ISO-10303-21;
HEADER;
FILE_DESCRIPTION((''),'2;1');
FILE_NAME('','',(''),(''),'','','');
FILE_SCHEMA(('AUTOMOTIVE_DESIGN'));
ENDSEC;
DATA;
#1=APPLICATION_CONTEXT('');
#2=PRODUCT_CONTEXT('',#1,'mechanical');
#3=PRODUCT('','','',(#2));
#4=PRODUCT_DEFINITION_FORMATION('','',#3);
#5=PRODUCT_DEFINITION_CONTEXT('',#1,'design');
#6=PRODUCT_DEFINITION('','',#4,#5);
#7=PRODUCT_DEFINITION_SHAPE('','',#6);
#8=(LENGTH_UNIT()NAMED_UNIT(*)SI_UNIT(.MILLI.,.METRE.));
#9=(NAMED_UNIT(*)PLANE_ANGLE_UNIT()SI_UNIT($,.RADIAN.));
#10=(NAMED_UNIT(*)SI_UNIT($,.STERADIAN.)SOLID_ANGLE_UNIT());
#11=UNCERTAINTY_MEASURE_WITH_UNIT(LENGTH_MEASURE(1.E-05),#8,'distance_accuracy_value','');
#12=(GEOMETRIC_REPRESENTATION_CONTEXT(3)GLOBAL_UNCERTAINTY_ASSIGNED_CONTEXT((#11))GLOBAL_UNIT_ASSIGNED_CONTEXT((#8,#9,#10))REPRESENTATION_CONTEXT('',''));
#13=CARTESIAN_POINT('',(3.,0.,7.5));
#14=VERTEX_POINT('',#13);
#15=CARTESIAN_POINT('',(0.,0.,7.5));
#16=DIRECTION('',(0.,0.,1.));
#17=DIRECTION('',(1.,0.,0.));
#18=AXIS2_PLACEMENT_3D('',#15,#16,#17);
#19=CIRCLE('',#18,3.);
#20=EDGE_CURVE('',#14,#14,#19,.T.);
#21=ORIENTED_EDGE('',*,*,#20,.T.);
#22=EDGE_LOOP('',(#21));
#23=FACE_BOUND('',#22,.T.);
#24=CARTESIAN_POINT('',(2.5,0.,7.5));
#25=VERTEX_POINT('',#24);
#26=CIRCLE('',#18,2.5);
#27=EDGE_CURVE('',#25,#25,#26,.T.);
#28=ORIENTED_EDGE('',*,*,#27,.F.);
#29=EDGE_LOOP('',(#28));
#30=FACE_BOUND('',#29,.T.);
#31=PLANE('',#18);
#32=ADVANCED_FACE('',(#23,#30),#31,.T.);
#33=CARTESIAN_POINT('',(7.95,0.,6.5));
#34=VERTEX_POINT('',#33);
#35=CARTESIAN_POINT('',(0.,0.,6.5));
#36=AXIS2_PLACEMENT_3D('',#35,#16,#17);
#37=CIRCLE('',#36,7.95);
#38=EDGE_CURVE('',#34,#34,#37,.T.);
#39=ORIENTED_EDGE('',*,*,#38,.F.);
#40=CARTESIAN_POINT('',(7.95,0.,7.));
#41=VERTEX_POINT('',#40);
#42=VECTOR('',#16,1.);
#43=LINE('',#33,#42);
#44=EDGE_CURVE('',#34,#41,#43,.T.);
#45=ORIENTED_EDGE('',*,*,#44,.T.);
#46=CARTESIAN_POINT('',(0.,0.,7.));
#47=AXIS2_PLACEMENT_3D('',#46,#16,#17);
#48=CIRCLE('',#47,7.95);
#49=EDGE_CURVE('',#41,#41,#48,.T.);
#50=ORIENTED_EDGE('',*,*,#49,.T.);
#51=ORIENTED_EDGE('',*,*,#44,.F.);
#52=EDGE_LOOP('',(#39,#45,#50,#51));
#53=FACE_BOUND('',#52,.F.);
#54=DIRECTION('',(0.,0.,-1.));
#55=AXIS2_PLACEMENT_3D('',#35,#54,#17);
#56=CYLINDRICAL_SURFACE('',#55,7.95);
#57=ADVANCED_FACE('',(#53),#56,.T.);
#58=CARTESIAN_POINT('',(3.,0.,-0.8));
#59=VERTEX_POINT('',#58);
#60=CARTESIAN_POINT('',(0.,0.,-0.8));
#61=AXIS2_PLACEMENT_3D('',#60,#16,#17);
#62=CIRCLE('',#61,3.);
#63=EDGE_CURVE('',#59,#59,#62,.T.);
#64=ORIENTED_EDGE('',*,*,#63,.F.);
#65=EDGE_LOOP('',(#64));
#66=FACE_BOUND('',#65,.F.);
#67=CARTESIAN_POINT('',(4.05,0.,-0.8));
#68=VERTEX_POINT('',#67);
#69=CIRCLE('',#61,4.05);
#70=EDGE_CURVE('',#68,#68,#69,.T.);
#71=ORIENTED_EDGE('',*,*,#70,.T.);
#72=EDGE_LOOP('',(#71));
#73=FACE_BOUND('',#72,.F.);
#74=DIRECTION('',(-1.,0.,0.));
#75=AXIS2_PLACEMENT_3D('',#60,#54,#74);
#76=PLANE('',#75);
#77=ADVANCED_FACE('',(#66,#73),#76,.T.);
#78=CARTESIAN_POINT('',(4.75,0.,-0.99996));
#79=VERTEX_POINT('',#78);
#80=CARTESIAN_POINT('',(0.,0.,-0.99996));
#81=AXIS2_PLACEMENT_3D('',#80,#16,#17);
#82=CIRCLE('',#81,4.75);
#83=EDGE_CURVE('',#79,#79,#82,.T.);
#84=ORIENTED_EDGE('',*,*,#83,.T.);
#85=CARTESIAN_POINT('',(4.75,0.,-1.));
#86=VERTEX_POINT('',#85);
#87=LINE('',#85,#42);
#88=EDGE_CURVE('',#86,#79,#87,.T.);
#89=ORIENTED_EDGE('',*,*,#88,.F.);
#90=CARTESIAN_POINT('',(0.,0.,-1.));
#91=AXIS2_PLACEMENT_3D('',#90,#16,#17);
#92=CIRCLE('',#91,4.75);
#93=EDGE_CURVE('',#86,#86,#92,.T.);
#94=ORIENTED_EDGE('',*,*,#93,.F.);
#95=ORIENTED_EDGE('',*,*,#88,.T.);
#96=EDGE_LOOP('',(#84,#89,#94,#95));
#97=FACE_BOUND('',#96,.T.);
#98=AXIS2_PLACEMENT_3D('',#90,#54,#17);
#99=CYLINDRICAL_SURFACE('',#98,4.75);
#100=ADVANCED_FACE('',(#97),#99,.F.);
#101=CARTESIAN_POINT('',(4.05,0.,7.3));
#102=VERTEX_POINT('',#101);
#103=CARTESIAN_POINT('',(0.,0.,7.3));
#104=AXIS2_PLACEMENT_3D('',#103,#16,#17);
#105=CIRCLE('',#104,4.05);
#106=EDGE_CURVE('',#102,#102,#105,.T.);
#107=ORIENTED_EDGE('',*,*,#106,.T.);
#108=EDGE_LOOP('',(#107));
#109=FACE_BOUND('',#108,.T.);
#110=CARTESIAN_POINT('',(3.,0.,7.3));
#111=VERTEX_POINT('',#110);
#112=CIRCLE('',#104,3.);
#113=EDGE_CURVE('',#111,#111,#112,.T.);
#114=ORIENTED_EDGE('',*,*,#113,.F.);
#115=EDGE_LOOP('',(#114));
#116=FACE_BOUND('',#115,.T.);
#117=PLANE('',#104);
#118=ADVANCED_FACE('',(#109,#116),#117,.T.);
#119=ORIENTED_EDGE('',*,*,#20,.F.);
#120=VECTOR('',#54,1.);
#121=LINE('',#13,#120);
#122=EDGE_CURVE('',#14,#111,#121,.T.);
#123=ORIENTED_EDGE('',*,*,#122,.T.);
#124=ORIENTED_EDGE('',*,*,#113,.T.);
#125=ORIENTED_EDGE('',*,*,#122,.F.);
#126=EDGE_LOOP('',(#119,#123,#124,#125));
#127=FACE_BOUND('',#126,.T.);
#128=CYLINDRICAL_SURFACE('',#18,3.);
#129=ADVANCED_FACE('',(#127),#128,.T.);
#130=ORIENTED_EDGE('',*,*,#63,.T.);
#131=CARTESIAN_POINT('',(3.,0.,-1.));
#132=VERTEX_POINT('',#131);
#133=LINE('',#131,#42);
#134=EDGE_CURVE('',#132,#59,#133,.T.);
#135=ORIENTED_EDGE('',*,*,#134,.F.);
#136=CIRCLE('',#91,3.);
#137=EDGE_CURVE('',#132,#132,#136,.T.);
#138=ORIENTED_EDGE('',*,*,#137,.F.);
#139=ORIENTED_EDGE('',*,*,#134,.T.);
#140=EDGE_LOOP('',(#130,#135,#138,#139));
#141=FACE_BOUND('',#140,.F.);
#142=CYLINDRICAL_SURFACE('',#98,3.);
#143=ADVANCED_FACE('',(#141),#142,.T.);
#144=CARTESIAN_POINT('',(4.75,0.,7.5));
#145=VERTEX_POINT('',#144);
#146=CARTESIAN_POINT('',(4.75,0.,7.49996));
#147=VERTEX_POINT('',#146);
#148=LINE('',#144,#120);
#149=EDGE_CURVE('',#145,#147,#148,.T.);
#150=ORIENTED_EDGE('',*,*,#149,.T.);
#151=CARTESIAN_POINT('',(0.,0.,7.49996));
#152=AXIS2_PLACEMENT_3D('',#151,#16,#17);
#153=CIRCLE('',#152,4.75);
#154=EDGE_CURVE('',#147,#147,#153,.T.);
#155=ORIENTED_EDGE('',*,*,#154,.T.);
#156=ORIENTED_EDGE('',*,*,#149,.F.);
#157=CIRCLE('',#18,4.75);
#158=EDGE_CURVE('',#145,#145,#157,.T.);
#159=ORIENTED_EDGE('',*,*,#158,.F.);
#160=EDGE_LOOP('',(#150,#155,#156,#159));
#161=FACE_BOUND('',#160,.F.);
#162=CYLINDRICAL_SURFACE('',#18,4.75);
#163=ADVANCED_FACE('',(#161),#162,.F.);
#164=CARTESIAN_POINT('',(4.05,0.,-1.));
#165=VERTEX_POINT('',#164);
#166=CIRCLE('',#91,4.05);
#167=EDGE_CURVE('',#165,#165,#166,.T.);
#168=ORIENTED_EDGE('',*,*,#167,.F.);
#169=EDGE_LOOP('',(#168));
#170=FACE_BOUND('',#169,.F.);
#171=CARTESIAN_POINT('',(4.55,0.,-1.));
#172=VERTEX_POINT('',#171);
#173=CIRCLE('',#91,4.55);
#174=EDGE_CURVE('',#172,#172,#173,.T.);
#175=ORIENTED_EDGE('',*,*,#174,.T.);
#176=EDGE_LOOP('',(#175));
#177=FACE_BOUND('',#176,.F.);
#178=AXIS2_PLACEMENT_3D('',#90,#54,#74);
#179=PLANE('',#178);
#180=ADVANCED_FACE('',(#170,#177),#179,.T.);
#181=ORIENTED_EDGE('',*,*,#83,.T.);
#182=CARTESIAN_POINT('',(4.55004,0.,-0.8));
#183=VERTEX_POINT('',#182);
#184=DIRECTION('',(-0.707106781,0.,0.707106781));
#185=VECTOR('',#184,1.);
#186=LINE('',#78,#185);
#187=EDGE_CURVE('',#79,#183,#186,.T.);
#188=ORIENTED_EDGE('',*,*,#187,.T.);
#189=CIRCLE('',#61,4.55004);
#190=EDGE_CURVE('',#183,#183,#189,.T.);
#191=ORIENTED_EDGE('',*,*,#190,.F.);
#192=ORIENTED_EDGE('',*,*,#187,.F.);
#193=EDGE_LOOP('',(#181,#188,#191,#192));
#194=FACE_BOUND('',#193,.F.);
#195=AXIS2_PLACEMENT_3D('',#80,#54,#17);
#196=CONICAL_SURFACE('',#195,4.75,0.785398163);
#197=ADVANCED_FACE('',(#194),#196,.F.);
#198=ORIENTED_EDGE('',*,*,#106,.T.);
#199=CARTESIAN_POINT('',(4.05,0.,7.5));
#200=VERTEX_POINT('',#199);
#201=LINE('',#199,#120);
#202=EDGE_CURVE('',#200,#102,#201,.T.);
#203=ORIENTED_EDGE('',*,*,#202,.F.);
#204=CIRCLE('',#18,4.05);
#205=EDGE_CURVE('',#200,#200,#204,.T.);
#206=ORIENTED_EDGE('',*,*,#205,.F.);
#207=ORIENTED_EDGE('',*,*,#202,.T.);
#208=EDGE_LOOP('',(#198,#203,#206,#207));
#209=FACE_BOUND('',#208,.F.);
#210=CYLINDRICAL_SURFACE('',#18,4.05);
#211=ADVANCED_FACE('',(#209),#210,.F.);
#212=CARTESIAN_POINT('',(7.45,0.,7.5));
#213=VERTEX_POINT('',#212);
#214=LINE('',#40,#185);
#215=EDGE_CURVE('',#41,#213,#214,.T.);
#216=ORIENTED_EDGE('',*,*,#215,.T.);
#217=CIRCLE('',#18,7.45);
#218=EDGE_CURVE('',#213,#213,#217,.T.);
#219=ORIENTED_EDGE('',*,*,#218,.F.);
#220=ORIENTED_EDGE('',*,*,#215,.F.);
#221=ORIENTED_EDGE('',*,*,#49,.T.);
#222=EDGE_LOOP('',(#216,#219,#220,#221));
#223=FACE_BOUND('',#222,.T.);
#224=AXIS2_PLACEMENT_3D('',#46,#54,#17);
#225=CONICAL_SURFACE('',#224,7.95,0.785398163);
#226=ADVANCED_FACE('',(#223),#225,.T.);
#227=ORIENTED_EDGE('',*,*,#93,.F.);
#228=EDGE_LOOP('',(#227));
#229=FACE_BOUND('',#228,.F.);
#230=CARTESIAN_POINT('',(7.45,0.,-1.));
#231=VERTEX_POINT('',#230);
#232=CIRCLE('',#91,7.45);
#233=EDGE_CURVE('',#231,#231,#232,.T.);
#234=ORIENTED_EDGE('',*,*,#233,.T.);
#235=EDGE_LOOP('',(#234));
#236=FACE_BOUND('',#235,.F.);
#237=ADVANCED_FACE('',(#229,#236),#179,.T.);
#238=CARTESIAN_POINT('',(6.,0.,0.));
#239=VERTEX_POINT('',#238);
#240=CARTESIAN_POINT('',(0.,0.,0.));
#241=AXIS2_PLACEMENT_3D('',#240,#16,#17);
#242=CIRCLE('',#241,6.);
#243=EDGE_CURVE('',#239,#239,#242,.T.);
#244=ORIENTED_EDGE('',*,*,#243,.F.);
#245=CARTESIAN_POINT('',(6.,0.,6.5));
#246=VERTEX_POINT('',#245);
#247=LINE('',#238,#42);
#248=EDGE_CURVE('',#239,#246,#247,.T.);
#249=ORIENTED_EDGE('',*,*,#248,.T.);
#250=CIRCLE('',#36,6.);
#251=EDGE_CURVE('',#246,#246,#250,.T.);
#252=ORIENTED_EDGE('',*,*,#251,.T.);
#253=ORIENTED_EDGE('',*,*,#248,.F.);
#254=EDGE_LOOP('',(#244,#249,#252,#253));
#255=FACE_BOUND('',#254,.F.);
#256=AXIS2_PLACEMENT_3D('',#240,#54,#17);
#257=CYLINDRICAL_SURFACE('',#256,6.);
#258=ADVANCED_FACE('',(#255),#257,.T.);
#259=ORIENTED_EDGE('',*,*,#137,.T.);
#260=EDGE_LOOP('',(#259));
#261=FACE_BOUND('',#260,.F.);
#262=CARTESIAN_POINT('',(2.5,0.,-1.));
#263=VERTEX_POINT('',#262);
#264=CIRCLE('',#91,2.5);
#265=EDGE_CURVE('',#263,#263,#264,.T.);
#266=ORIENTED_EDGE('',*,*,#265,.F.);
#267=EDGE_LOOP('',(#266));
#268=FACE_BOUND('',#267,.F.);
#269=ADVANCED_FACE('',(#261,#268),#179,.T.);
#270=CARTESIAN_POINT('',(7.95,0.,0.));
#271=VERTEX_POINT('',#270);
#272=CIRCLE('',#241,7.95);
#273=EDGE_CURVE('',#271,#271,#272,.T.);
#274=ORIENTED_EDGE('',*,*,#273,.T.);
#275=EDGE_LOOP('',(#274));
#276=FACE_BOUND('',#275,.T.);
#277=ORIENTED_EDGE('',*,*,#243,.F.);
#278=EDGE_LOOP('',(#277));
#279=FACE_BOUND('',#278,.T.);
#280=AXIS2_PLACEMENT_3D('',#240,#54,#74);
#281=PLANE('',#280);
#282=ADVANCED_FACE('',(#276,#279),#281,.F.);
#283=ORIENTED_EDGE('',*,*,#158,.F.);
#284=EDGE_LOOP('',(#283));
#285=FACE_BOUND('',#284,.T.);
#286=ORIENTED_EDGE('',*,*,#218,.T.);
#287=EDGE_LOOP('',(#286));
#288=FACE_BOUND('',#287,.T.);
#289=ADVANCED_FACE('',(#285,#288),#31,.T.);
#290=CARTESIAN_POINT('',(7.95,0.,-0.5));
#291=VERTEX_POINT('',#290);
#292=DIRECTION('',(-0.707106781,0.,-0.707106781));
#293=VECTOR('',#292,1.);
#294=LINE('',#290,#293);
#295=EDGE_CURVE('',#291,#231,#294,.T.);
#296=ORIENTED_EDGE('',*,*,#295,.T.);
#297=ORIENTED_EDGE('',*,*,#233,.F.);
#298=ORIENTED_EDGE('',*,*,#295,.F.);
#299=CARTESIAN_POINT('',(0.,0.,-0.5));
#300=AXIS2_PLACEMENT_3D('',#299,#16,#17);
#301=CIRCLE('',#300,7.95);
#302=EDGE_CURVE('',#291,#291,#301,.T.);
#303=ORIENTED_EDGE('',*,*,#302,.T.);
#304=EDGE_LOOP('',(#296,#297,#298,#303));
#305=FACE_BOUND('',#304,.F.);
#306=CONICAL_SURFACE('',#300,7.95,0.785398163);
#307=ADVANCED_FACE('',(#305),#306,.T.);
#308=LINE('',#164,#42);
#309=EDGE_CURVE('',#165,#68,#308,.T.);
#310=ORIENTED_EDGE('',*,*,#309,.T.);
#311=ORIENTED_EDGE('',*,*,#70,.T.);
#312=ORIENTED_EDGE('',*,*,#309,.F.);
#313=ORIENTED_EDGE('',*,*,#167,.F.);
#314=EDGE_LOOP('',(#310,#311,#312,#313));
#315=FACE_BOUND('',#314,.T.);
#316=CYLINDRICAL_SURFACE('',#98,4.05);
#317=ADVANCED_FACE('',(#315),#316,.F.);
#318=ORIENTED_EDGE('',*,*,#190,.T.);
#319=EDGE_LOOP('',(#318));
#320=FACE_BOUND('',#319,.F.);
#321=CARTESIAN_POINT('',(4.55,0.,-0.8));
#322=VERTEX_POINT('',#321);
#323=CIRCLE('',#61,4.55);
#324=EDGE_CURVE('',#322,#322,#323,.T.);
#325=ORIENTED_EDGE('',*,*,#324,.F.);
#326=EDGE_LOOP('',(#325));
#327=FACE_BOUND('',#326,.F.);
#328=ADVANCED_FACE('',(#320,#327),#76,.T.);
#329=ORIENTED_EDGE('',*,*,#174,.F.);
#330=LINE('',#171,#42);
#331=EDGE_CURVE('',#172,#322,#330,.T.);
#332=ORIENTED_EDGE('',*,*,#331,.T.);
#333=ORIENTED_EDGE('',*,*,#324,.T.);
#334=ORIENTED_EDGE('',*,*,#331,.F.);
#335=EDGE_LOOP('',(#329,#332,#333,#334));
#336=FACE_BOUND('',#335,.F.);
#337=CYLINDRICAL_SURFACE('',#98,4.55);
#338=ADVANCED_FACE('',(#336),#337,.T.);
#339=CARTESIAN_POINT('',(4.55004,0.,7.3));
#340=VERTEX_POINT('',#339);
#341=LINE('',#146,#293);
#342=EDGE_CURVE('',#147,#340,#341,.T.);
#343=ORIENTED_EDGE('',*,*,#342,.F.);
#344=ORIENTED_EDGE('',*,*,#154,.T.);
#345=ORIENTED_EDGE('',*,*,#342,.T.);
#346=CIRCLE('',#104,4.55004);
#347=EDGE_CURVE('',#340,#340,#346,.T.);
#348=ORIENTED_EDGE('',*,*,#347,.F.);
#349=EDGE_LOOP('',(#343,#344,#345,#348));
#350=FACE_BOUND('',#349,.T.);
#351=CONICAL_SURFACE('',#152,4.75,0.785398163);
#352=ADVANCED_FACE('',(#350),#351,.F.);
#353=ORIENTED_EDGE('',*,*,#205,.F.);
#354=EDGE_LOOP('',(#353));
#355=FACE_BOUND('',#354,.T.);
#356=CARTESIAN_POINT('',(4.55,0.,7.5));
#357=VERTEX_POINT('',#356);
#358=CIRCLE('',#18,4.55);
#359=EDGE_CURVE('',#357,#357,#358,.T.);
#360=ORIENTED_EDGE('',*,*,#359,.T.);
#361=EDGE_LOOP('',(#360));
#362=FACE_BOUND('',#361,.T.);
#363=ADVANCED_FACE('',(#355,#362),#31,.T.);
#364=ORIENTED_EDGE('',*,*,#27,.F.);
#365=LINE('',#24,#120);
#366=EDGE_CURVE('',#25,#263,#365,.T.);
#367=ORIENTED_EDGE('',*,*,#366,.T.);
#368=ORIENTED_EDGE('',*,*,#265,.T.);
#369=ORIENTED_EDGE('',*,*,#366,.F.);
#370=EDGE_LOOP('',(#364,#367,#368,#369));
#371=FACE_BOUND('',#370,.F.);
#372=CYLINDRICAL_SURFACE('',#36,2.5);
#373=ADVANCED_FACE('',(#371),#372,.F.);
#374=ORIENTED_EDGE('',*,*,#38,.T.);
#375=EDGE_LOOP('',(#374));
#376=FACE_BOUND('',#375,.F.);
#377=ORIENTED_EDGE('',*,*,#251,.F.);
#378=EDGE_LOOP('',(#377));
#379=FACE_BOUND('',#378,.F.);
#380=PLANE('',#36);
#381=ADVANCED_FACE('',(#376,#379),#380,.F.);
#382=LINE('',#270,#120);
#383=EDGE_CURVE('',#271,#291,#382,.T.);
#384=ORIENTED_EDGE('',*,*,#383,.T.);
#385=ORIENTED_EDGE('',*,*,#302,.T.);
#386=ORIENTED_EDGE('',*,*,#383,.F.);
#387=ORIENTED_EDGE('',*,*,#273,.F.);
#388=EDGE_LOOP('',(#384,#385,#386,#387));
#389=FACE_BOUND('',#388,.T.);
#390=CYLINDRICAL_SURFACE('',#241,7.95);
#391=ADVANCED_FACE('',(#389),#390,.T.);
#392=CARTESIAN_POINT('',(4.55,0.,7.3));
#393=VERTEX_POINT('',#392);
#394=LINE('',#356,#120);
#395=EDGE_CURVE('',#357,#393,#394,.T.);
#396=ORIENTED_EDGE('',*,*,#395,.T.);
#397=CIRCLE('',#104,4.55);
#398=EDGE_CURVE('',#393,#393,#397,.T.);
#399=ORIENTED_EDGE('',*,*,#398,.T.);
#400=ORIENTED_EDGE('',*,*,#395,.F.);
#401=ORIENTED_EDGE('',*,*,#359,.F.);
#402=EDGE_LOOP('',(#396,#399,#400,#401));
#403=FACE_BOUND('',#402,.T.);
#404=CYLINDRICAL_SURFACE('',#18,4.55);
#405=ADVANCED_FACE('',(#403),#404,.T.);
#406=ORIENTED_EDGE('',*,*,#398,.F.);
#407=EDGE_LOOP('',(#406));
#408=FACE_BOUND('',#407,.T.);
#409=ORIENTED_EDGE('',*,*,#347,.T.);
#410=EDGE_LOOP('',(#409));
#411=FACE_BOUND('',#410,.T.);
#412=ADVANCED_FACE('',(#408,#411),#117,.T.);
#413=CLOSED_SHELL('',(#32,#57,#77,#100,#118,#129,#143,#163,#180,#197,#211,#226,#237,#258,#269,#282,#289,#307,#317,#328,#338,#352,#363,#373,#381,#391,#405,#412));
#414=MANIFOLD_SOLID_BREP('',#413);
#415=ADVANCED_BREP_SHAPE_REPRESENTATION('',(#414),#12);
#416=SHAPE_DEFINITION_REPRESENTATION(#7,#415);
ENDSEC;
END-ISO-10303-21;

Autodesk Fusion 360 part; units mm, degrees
sketch "Sketch1" plane through (0, 0, 0) normal (0, 0, 1) x (1, 0, 0)
  circle A0 centre (0, 0) radius 6
  circle A1 centre (0, 0) radius 2.5
  dimension "d1" = 12
  dimension "d2" = 5
extrude "Extrude1" add sketch "Sketch1" along normal blind 6.5 makes body 1
sketch "Sketch2" plane through (0, 0, 6.5) normal (0, 0, 1) x (1, 0, 0)
  circle A0 centre (0, 0) radius 2.5
  circle A1 centre (0, 0) radius 6
  circle A2 centre (0, 0) radius 7.95
  dimension "d5" = 15.9
extrude "Extrude2" add sketch "Sketch2" along normal blind 1 contours A1 | A2 bodies 1
sketch "Sketch3" plane through (0, 0, 7.5) normal (0, 0, 1) x (1, 0, 0)
  circle A0 centre (0, 0) radius 2.5
  circle A1 centre (0, 0) radius 7.95
  circle A2 centre (0, 0) radius 4.75
  circle A3 centre (0, 0) radius 4.55
  circle A4 centre (0, 0) radius 4.05
  circle A5 centre (0, 0) radius 3
  dimension "d8" = 3.2
  dimension "d9" = 0.2
  dimension "d10" = 0.5
  dimension "d11" = 0.5
extrude "Extrude3" cut sketch "Sketch3" against normal blind 0.2 contours A2 bodies 1
chamfer "Chamfer1" distance 0.2 angle 45 1 edges at (-4.4286, 1.7177, 7.3) on bodies 1
extrude "Extrude4" cut sketch "Sketch3" against normal blind 0.2 contours A4 bodies 1
split "Split1" by plane through (0, 0, 6.5) normal (0, 0, -1) bodies 1 makes body 2 at (5.9925, -0.2991, 2.1667)
ref_plane "WorkPlane1" through (0, 0, 3.25) normal (0, 0, -1) x (-1, 0, 0)
mirror "Mirror1" about plane through (0, 0, 3.25) normal (0, 0, -1) of bodies 1 makes body 3
combine "Combine1" operation add target body 1 tool bodies 2 3
chamfer "Chamfer2" distance 0.5 angle 45 2 edges at (-7.412, -2.8748, 7.5) (-7.412, -2.8748, -1) on bodies 1
equation "d17 = ( -6.5 / 2 ) * 1 mm"
